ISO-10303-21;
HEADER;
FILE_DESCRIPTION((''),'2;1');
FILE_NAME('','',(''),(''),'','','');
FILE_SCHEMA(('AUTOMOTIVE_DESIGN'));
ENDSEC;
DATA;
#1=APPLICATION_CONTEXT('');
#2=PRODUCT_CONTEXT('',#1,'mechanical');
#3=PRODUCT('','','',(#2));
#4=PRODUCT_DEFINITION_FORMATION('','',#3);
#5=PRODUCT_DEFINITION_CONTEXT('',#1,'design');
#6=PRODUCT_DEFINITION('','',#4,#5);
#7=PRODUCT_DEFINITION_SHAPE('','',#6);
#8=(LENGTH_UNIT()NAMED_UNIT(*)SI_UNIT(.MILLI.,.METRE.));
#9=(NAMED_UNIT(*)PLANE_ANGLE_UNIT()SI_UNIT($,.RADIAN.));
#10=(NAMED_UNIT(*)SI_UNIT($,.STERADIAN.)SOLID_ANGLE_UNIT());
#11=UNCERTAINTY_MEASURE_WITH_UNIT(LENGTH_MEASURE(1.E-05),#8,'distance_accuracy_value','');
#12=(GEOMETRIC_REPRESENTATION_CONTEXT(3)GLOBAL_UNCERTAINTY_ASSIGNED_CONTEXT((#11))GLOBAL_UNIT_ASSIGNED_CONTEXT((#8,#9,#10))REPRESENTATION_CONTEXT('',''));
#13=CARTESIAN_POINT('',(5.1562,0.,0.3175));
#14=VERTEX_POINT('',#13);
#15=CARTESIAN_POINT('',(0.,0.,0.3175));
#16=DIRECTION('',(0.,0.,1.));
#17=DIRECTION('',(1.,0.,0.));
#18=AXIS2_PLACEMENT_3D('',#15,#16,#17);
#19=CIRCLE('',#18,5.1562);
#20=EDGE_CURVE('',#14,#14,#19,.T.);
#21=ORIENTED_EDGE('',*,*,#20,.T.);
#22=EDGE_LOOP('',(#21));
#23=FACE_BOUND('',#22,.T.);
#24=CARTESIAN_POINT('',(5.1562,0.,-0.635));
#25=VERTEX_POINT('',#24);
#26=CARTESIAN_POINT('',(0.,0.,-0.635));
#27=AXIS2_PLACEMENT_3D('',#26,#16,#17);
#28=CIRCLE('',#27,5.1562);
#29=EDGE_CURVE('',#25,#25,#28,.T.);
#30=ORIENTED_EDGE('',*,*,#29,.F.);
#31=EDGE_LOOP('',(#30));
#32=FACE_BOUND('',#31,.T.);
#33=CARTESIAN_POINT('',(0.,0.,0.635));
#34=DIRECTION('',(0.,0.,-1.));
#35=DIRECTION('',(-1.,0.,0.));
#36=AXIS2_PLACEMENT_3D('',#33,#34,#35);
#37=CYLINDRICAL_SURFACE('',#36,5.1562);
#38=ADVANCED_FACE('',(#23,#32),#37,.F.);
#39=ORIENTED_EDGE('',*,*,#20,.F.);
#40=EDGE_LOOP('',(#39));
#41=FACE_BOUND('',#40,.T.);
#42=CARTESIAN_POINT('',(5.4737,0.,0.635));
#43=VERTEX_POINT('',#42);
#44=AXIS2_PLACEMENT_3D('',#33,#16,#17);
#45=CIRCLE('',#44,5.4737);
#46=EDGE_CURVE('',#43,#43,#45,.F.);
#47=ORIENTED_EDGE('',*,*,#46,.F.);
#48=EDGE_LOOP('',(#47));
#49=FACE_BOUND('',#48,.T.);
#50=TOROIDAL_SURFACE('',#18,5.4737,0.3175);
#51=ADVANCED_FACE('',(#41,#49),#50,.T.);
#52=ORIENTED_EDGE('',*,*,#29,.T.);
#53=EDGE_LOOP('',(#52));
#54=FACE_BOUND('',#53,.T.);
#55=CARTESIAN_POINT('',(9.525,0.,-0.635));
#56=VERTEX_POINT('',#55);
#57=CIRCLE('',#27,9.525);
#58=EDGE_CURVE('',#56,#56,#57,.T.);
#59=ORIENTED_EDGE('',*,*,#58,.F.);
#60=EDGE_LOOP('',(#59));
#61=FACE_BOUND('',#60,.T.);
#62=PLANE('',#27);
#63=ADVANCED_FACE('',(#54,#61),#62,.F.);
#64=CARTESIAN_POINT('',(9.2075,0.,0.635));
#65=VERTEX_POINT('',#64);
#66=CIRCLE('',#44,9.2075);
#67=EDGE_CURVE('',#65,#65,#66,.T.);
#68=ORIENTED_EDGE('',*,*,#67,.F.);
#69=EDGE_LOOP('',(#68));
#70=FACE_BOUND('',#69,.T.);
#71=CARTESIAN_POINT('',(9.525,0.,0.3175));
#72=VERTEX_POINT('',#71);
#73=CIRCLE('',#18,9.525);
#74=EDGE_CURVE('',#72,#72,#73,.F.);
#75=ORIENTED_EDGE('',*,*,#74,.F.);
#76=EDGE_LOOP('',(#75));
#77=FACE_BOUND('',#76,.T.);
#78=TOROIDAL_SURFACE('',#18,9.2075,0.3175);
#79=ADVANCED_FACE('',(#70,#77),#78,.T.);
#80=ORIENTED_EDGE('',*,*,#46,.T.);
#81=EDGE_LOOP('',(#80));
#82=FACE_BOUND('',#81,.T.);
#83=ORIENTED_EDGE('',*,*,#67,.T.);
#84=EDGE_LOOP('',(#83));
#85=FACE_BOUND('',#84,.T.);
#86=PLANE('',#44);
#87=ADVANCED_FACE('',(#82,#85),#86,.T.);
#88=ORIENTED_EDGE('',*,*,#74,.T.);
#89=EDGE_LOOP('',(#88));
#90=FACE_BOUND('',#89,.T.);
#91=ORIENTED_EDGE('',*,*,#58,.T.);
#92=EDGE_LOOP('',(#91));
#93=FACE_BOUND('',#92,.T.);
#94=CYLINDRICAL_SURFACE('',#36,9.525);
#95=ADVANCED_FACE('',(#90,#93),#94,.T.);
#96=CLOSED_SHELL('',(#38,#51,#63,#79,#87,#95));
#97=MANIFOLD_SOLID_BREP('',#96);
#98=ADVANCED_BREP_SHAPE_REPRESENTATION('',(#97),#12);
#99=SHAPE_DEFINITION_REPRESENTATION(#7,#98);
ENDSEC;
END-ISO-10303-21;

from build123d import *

# Parameters (mm, degrees)
BOSS_EXTRUDE1_DEPTH      = 0.635
BOSS_EXTRUDE1_DEPTH_BACK = 0.635
SKETCH3_R                = 9.525
SKETCH3_R_2              = 5.1562
FILLET1_R                = 0.3175


with BuildPart() as part:
    # Sketch3 → Boss-Extrude1 (new, two sides: drawn at the far end of the back side and taken through both)
    with BuildSketch(Plane.XY.offset(-BOSS_EXTRUDE1_DEPTH_BACK)):
        Circle(SKETCH3_R)
        Circle(SKETCH3_R_2, mode=Mode.SUBTRACT)
    extrude(amount=BOSS_EXTRUDE1_DEPTH + BOSS_EXTRUDE1_DEPTH_BACK)

    # Fillet1
    fillet1_edges = [part.edges().sort_by_distance(p)[0] for p in [
        (-9.525, 0, 0.635),
        (-5.1562, 0, 0.635),
    ]]
    fillet(fillet1_edges, radius=FILLET1_R)


solid = part.part
